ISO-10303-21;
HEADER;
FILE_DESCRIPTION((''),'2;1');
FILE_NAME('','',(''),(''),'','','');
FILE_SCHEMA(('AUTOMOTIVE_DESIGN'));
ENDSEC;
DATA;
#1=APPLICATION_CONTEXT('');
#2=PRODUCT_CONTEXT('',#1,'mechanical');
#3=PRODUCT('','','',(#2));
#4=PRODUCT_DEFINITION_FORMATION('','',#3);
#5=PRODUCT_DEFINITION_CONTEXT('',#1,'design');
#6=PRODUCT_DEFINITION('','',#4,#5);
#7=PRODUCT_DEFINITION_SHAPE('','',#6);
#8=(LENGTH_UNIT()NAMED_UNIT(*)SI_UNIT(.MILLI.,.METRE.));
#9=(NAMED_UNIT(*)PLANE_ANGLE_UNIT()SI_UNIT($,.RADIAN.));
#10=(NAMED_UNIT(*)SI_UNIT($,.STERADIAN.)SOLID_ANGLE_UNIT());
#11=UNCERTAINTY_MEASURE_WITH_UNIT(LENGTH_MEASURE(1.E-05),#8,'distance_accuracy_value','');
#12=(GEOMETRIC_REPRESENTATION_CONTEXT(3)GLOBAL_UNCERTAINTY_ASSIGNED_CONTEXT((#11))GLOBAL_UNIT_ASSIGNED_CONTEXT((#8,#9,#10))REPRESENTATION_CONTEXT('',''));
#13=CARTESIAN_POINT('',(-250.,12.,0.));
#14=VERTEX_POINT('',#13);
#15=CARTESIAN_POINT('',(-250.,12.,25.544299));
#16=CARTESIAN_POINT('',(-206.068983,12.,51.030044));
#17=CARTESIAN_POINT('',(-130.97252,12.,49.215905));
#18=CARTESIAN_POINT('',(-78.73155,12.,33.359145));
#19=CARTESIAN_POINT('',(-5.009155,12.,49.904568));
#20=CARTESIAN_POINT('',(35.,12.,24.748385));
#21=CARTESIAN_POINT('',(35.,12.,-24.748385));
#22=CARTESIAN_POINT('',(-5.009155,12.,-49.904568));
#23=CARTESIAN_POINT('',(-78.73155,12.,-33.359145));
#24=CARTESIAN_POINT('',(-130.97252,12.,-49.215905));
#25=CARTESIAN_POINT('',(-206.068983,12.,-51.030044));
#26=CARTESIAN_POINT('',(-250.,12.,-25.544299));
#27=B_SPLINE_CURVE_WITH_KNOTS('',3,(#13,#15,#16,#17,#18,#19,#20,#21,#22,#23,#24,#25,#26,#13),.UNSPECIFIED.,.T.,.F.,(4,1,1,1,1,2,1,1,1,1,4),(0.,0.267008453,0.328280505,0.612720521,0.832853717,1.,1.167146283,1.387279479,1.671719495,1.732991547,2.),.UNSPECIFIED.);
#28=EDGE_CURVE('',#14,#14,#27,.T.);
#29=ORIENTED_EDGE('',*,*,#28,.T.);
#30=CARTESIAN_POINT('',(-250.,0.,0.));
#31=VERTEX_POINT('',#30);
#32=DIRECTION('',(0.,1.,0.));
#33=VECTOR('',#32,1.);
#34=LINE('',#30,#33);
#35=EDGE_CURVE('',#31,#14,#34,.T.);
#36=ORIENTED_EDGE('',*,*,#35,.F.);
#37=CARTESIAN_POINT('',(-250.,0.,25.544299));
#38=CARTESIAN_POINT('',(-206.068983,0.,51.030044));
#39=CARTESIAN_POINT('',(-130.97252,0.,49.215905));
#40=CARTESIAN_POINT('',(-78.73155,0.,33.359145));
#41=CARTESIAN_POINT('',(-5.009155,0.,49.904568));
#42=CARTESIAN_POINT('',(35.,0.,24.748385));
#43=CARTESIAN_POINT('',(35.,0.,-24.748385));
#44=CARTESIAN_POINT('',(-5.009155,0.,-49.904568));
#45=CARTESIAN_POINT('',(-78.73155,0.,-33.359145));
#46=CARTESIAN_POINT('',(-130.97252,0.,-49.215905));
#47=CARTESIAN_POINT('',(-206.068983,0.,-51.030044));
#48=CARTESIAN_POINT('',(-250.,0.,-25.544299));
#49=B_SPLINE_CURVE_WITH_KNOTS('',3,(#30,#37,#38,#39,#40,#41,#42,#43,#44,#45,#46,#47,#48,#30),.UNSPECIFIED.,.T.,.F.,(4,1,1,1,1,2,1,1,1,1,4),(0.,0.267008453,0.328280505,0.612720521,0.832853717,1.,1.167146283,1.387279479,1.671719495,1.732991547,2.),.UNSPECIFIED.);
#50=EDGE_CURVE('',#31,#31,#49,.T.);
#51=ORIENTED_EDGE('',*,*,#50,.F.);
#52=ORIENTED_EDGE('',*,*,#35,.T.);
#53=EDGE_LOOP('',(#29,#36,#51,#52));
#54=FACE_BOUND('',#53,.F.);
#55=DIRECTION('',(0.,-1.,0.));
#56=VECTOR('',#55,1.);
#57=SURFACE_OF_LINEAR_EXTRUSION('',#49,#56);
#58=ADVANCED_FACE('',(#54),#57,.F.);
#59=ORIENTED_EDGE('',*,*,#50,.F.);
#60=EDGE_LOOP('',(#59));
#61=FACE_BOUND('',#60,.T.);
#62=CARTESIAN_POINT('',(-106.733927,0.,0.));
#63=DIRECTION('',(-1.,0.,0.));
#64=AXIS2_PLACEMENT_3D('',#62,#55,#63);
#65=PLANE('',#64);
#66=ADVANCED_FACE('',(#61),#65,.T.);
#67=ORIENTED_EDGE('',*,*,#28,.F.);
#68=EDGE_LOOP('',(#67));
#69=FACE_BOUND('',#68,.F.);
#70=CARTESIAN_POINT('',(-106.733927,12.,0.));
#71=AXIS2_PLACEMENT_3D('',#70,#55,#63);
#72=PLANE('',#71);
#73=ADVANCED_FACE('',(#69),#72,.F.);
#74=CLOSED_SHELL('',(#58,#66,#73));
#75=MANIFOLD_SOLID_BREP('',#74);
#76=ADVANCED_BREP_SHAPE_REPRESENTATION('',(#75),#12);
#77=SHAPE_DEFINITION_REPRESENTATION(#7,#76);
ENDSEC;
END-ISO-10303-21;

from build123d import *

# Parameters (mm, degrees)
BOSS_EXTRUDE1_DEPTH = 12


with BuildPart() as part:
    # Sketch1 → Boss-Extrude1 (new body)
    with BuildSketch(Plane(origin=(0, 0, 0), x_dir=(1, 0, 0), z_dir=(0, 1, 0))):
        with BuildLine():
            add(Edge.make_bspline(
                [(-250, 0), (-250, 25.544299451), (-206.068982537, 51.030043951), (-130.972520019, 49.21590466), (-78.73154972, 33.359145099), (-5.009154927, 49.904567739), (35, 24.748385361), (35, 0)],
                knots=[0, 0, 0, 0, 0.267008453, 0.328280505, 0.612720521, 0.832853717, 1, 1, 1, 1], degree=3))
            add(Edge.make_bspline(
                [(-250, 0), (-250, -25.544299451), (-206.068982537, -51.030043951), (-130.972520019, -49.21590466), (-78.73154972, -33.359145099), (-5.009154927, -49.904567739), (35, -24.748385361), (35, 0)],
                knots=[0, 0, 0, 0, 0.267008453, 0.328280505, 0.612720521, 0.832853717, 1, 1, 1, 1], degree=3))
        make_face()
    extrude(amount=BOSS_EXTRUDE1_DEPTH)


solid = part.part
